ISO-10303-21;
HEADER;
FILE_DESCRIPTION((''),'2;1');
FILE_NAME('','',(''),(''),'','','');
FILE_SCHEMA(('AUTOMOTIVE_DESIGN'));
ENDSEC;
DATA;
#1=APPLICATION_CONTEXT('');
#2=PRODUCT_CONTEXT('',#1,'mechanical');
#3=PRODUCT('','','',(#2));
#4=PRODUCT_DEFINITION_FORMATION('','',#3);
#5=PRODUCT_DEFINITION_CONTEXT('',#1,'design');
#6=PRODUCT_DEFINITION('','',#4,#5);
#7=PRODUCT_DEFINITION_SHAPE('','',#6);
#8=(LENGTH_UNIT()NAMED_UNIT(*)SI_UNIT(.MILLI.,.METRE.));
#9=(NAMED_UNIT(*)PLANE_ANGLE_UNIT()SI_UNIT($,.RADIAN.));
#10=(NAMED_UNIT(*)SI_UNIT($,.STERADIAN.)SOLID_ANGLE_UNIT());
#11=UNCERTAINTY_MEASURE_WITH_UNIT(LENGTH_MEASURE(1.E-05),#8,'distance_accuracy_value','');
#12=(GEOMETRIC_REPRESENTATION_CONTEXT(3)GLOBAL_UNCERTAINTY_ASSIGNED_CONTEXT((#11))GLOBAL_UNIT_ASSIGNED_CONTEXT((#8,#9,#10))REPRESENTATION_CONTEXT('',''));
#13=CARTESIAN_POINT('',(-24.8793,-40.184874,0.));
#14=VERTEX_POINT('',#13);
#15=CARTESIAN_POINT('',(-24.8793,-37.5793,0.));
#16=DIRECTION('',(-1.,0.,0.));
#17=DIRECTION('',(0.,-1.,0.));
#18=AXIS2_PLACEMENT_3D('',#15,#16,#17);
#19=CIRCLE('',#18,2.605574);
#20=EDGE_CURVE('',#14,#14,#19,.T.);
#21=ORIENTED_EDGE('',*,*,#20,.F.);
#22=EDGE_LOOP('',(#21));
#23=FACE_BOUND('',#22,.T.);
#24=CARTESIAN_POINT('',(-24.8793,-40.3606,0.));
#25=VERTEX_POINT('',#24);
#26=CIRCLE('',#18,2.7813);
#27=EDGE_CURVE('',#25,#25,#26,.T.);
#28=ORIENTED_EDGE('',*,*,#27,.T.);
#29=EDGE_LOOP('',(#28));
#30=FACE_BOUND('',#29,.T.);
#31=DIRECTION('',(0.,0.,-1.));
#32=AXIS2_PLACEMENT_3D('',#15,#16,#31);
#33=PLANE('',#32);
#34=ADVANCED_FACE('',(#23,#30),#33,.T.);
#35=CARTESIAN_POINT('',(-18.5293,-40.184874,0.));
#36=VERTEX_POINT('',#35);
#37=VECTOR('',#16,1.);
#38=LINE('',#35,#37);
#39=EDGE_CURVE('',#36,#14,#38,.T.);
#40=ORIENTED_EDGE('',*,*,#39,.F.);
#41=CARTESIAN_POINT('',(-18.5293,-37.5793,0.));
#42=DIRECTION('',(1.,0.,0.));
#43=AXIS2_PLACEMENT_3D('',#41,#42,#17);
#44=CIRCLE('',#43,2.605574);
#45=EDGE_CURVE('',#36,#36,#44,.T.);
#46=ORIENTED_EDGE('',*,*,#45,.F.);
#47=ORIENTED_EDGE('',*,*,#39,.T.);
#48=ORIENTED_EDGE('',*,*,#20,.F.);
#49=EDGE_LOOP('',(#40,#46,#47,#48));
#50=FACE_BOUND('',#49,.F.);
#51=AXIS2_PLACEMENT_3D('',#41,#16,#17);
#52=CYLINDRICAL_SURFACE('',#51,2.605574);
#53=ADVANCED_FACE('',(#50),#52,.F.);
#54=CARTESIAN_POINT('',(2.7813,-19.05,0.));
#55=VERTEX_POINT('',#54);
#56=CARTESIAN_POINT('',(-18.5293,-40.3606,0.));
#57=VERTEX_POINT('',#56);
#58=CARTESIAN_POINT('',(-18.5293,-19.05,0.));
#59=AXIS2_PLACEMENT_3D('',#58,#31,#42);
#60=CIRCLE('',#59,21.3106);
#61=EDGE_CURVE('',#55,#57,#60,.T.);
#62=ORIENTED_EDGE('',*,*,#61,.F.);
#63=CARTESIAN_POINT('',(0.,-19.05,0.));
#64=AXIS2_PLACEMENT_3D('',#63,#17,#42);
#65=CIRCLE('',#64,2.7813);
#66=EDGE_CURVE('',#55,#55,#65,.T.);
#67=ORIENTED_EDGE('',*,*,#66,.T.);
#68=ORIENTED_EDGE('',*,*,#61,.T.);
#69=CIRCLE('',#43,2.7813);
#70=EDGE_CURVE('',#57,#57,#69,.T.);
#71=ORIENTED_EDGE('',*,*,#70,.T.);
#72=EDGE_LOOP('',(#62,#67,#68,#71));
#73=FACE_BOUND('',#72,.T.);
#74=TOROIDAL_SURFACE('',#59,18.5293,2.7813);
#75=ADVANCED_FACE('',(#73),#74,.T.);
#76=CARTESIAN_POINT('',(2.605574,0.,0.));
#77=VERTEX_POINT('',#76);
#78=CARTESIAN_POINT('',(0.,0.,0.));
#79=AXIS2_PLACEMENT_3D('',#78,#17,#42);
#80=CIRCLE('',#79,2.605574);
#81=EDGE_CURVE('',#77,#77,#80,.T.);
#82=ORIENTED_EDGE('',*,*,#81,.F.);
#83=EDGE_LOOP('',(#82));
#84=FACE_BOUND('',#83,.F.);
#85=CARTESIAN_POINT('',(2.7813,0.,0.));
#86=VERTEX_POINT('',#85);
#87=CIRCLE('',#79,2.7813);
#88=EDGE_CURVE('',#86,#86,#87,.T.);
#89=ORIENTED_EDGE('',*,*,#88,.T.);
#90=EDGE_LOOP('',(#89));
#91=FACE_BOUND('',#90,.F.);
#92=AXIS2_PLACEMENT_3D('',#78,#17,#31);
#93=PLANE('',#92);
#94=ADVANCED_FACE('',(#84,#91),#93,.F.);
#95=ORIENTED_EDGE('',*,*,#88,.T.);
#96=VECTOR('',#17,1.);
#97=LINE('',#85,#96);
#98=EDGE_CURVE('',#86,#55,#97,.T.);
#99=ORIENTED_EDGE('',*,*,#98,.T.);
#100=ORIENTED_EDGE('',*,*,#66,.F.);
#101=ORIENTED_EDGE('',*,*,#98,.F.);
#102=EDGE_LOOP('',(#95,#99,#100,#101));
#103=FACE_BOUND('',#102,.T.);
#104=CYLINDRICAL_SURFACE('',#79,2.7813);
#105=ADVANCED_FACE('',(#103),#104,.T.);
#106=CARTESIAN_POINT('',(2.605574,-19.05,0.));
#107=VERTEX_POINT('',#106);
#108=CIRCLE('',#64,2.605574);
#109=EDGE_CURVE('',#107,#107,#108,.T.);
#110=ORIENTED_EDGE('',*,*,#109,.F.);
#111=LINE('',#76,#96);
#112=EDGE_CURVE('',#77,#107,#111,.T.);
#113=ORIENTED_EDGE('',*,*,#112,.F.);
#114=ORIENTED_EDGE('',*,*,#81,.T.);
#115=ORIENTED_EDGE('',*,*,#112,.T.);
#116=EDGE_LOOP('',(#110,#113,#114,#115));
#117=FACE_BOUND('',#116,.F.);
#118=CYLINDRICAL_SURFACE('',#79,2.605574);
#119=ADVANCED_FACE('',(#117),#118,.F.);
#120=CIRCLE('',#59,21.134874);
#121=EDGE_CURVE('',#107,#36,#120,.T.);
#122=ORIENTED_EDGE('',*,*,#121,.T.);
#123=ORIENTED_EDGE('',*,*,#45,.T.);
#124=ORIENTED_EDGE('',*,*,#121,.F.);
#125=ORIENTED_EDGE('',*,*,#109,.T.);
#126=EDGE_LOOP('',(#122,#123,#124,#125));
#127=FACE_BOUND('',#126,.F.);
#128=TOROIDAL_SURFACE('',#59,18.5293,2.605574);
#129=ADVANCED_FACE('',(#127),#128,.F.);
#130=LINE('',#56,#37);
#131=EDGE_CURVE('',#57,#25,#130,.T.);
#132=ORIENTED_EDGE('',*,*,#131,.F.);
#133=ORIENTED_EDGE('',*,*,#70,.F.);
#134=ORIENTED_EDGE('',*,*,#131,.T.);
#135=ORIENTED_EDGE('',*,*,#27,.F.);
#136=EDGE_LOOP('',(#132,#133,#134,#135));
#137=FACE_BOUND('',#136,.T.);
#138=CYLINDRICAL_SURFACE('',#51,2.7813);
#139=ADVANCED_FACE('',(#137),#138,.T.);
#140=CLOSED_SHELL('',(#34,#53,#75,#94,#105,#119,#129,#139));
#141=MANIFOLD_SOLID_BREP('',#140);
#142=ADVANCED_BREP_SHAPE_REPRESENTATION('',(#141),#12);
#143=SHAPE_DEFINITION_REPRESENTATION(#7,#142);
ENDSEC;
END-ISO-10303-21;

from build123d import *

# Parameters (mm, degrees)
F0_R = 2.7813
F3_R = 2.6055738226


with BuildPart() as f2:
    # F2: sweep along a path in F1
    with BuildLine(Plane.XY) as f2_path:
        Line((0, 0), (0, -19.05))
        ThreePointArc((0, -19.05), (-5.4271063194, -32.1521936806), (-18.5293, -37.5793))
        Line((-18.5293, -37.5793), (-24.8793, -37.5793))
    # F0 (on Front) → F2 (sweep)
    with BuildSketch(Plane.XZ):
        Circle(F0_R)
    sweep(path=f2_path.line)

    # F4: sweep along a path in F1
    with BuildLine(Plane.XY) as f4_path:
        Line((0, 0), (0, -19.05))
        ThreePointArc((0, -19.05), (-5.4271063194, -32.1521936806), (-18.5293, -37.5793))
        Line((-18.5293, -37.5793), (-24.8793, -37.5793))
    # F3 (on face) → F4 (sweep, cut)
    with BuildSketch(Plane(origin=(-24.8793, 0, 0), x_dir=(0, -1, 0), z_dir=(-1, 0, 0))):
        with Locations((37.5793, 0)):
            Circle(F3_R)
    sweep(path=f4_path.line, mode=Mode.SUBTRACT)


solid = f2.part
